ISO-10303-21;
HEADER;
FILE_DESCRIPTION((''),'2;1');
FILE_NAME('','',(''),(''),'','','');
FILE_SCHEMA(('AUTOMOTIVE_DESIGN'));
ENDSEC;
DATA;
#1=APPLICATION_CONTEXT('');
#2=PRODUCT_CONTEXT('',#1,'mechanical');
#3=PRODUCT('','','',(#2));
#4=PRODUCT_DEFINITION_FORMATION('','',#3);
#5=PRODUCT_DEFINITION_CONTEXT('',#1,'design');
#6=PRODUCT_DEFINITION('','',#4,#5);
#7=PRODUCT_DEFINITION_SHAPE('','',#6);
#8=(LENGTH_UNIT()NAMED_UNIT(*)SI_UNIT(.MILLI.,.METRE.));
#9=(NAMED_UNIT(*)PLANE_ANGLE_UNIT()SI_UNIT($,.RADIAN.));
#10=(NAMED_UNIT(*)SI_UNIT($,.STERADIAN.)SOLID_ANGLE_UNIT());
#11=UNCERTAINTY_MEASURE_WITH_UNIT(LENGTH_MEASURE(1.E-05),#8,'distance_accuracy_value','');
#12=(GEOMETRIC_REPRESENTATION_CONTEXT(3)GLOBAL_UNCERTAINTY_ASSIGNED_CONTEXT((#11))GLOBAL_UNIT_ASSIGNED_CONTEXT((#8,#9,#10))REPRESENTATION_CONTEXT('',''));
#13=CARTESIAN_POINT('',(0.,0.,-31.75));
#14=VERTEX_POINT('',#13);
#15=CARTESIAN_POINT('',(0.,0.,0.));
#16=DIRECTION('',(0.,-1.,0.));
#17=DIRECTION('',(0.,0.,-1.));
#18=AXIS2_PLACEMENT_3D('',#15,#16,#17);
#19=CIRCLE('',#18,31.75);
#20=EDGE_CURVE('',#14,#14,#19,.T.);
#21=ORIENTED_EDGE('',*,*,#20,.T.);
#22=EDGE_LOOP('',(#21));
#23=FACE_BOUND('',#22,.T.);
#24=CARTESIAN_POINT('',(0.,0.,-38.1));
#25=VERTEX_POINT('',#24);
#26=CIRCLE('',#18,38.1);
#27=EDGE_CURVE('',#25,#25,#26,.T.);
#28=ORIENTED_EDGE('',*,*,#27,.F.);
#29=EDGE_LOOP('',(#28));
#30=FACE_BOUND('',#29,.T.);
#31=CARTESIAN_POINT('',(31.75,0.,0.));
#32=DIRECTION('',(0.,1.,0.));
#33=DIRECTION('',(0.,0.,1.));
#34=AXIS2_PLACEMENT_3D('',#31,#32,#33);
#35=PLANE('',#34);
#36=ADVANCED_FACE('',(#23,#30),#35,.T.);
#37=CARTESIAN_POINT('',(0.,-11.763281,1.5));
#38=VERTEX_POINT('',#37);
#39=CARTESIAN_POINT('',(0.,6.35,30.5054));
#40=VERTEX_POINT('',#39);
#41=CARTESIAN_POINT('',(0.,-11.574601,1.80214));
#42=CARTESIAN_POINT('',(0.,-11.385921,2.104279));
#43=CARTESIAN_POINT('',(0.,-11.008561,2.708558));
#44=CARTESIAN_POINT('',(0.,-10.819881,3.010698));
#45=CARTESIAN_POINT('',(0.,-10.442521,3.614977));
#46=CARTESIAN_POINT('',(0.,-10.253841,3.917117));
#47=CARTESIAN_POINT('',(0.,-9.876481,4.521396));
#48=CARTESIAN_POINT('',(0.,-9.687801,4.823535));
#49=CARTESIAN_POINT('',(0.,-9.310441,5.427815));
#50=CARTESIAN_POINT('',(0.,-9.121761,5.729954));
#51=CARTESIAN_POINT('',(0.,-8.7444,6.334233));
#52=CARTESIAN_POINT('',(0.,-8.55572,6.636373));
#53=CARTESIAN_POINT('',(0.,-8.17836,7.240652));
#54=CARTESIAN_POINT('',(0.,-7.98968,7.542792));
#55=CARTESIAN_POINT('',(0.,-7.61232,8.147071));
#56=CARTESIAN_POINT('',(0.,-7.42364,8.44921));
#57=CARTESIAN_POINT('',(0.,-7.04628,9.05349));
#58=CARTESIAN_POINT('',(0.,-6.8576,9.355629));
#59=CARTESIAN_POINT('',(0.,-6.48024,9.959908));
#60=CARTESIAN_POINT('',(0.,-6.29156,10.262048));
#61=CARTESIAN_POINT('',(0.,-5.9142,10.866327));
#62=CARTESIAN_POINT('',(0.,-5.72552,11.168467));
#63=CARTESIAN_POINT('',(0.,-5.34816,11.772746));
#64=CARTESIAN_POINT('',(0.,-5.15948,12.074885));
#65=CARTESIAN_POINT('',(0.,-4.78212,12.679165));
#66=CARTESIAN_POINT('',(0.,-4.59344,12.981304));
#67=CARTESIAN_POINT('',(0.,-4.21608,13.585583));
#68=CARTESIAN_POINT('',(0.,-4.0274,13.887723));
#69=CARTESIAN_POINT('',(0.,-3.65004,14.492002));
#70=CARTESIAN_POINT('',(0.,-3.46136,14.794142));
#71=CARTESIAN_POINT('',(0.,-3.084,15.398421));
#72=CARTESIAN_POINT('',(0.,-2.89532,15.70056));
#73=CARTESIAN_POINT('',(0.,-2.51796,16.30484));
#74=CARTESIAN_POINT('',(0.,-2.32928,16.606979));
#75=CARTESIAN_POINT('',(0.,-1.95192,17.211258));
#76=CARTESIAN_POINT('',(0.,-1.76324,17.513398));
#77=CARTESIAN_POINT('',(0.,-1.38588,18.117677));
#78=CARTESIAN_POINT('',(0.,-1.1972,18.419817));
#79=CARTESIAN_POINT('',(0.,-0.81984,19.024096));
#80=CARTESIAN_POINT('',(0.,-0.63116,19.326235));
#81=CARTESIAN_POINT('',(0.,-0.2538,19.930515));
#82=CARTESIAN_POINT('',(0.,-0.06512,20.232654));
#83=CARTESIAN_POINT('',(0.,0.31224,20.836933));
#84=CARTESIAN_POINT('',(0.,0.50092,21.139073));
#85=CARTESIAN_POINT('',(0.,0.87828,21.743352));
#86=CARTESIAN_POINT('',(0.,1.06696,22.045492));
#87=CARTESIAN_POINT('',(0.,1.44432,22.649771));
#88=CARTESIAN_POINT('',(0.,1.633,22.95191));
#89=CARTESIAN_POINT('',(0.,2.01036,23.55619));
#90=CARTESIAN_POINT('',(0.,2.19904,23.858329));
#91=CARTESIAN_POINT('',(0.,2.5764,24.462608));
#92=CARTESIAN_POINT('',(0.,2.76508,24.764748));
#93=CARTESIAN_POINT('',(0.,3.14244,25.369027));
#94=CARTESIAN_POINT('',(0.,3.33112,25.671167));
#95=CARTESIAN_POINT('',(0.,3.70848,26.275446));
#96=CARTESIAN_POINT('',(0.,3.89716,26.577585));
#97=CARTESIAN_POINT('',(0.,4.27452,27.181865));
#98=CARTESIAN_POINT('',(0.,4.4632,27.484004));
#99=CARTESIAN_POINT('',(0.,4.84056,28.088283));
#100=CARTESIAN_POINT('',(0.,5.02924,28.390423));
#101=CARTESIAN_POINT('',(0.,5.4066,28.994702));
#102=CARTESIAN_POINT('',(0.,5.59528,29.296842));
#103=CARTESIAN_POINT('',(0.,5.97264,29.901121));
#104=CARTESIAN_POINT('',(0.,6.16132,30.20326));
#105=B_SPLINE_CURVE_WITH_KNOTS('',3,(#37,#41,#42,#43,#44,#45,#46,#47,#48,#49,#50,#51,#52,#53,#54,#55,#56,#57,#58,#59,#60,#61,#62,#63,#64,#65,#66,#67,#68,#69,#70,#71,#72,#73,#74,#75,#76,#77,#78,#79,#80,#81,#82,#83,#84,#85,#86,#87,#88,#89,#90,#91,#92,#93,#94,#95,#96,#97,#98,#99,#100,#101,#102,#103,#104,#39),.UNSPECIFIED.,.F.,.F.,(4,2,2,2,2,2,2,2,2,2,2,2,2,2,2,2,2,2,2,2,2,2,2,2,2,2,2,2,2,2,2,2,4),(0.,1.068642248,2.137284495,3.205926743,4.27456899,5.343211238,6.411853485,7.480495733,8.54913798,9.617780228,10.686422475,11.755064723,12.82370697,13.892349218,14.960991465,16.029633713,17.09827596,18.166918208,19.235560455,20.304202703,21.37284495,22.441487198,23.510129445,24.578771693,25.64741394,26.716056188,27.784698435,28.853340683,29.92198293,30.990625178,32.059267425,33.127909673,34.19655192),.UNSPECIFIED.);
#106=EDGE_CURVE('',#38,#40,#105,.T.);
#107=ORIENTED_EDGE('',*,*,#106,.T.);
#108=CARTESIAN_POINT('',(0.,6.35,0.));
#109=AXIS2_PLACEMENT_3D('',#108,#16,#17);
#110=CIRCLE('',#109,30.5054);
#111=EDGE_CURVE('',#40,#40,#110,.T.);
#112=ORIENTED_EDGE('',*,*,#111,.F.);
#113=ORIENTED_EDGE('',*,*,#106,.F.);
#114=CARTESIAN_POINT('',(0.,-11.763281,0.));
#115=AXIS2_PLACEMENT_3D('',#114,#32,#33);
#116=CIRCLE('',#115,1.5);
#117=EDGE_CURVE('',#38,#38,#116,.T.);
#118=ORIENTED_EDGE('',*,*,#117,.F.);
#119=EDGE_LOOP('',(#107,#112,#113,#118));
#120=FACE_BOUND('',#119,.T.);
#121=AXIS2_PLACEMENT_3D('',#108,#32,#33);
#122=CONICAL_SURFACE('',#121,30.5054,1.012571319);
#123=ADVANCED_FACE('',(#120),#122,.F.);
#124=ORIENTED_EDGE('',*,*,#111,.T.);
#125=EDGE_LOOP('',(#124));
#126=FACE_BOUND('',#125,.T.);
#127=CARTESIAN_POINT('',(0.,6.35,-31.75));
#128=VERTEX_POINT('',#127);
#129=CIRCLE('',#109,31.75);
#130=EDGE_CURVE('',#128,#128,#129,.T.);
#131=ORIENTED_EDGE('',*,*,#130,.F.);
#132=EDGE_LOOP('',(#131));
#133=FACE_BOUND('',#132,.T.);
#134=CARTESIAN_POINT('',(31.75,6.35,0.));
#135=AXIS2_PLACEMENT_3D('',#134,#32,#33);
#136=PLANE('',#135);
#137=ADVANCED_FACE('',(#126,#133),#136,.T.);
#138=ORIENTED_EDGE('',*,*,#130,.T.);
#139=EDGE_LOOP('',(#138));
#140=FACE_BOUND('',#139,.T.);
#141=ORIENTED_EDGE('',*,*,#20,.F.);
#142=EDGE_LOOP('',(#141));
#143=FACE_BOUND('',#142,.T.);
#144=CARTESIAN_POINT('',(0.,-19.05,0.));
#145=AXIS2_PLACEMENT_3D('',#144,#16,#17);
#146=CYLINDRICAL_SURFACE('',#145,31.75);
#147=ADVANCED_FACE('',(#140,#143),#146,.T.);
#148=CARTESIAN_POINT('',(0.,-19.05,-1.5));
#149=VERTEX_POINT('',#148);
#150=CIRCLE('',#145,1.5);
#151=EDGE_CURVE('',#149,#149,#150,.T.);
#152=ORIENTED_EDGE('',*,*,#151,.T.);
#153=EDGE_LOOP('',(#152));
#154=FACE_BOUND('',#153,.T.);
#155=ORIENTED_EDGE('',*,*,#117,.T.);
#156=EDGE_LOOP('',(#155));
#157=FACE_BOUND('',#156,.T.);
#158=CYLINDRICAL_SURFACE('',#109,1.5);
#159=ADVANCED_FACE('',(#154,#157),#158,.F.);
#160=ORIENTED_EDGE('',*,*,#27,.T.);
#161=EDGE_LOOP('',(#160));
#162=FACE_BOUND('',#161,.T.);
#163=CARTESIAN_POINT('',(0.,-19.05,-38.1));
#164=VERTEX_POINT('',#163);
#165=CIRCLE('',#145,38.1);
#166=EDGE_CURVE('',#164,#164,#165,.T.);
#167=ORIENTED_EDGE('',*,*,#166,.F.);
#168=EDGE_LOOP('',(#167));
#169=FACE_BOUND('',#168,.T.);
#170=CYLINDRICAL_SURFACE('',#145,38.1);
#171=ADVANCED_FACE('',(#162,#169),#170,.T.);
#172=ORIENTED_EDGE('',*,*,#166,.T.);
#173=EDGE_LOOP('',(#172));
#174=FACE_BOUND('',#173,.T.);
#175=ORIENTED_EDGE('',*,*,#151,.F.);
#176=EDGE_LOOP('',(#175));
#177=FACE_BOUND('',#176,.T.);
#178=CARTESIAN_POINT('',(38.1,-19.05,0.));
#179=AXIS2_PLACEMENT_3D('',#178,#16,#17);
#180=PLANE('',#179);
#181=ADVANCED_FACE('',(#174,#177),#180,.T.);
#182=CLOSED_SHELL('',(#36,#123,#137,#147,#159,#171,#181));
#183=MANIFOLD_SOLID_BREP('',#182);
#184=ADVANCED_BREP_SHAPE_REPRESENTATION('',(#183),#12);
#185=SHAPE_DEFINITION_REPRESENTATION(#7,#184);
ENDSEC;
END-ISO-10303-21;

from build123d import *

# Parameters (mm, degrees)
SKETCH2_R          = 1.5
CUT_EXTRUDE1_DEPTH = 60.56828015


with BuildPart() as part:
    # Sketch1 → Revolve1 (revolve)
    with BuildSketch(Plane.XY, mode=Mode.PRIVATE) as revolve1_sk:
        Polygon((0, -12.7), (30.5054, 6.35), (31.75, 6.35), (31.75, 0), (38.1, 0), (38.1, -19.05), (0, -19.05), align=None)
    revolve(revolve1_sk.sketch.rotate(Axis((0, -19.05, 0), (0, 1, 0)), 90), axis=Axis((0, -19.05, 0), (0, 1, 0)))

    # Sketch2 → Cut-Extrude1 (cut, through all)
    with BuildSketch(Plane.XZ.offset(19.05)):
        with Locations(Location((0, 0, 0), (0, 0, 270))):
            Circle(SKETCH2_R)
    extrude(amount=-CUT_EXTRUDE1_DEPTH, mode=Mode.SUBTRACT)


solid = part.part
